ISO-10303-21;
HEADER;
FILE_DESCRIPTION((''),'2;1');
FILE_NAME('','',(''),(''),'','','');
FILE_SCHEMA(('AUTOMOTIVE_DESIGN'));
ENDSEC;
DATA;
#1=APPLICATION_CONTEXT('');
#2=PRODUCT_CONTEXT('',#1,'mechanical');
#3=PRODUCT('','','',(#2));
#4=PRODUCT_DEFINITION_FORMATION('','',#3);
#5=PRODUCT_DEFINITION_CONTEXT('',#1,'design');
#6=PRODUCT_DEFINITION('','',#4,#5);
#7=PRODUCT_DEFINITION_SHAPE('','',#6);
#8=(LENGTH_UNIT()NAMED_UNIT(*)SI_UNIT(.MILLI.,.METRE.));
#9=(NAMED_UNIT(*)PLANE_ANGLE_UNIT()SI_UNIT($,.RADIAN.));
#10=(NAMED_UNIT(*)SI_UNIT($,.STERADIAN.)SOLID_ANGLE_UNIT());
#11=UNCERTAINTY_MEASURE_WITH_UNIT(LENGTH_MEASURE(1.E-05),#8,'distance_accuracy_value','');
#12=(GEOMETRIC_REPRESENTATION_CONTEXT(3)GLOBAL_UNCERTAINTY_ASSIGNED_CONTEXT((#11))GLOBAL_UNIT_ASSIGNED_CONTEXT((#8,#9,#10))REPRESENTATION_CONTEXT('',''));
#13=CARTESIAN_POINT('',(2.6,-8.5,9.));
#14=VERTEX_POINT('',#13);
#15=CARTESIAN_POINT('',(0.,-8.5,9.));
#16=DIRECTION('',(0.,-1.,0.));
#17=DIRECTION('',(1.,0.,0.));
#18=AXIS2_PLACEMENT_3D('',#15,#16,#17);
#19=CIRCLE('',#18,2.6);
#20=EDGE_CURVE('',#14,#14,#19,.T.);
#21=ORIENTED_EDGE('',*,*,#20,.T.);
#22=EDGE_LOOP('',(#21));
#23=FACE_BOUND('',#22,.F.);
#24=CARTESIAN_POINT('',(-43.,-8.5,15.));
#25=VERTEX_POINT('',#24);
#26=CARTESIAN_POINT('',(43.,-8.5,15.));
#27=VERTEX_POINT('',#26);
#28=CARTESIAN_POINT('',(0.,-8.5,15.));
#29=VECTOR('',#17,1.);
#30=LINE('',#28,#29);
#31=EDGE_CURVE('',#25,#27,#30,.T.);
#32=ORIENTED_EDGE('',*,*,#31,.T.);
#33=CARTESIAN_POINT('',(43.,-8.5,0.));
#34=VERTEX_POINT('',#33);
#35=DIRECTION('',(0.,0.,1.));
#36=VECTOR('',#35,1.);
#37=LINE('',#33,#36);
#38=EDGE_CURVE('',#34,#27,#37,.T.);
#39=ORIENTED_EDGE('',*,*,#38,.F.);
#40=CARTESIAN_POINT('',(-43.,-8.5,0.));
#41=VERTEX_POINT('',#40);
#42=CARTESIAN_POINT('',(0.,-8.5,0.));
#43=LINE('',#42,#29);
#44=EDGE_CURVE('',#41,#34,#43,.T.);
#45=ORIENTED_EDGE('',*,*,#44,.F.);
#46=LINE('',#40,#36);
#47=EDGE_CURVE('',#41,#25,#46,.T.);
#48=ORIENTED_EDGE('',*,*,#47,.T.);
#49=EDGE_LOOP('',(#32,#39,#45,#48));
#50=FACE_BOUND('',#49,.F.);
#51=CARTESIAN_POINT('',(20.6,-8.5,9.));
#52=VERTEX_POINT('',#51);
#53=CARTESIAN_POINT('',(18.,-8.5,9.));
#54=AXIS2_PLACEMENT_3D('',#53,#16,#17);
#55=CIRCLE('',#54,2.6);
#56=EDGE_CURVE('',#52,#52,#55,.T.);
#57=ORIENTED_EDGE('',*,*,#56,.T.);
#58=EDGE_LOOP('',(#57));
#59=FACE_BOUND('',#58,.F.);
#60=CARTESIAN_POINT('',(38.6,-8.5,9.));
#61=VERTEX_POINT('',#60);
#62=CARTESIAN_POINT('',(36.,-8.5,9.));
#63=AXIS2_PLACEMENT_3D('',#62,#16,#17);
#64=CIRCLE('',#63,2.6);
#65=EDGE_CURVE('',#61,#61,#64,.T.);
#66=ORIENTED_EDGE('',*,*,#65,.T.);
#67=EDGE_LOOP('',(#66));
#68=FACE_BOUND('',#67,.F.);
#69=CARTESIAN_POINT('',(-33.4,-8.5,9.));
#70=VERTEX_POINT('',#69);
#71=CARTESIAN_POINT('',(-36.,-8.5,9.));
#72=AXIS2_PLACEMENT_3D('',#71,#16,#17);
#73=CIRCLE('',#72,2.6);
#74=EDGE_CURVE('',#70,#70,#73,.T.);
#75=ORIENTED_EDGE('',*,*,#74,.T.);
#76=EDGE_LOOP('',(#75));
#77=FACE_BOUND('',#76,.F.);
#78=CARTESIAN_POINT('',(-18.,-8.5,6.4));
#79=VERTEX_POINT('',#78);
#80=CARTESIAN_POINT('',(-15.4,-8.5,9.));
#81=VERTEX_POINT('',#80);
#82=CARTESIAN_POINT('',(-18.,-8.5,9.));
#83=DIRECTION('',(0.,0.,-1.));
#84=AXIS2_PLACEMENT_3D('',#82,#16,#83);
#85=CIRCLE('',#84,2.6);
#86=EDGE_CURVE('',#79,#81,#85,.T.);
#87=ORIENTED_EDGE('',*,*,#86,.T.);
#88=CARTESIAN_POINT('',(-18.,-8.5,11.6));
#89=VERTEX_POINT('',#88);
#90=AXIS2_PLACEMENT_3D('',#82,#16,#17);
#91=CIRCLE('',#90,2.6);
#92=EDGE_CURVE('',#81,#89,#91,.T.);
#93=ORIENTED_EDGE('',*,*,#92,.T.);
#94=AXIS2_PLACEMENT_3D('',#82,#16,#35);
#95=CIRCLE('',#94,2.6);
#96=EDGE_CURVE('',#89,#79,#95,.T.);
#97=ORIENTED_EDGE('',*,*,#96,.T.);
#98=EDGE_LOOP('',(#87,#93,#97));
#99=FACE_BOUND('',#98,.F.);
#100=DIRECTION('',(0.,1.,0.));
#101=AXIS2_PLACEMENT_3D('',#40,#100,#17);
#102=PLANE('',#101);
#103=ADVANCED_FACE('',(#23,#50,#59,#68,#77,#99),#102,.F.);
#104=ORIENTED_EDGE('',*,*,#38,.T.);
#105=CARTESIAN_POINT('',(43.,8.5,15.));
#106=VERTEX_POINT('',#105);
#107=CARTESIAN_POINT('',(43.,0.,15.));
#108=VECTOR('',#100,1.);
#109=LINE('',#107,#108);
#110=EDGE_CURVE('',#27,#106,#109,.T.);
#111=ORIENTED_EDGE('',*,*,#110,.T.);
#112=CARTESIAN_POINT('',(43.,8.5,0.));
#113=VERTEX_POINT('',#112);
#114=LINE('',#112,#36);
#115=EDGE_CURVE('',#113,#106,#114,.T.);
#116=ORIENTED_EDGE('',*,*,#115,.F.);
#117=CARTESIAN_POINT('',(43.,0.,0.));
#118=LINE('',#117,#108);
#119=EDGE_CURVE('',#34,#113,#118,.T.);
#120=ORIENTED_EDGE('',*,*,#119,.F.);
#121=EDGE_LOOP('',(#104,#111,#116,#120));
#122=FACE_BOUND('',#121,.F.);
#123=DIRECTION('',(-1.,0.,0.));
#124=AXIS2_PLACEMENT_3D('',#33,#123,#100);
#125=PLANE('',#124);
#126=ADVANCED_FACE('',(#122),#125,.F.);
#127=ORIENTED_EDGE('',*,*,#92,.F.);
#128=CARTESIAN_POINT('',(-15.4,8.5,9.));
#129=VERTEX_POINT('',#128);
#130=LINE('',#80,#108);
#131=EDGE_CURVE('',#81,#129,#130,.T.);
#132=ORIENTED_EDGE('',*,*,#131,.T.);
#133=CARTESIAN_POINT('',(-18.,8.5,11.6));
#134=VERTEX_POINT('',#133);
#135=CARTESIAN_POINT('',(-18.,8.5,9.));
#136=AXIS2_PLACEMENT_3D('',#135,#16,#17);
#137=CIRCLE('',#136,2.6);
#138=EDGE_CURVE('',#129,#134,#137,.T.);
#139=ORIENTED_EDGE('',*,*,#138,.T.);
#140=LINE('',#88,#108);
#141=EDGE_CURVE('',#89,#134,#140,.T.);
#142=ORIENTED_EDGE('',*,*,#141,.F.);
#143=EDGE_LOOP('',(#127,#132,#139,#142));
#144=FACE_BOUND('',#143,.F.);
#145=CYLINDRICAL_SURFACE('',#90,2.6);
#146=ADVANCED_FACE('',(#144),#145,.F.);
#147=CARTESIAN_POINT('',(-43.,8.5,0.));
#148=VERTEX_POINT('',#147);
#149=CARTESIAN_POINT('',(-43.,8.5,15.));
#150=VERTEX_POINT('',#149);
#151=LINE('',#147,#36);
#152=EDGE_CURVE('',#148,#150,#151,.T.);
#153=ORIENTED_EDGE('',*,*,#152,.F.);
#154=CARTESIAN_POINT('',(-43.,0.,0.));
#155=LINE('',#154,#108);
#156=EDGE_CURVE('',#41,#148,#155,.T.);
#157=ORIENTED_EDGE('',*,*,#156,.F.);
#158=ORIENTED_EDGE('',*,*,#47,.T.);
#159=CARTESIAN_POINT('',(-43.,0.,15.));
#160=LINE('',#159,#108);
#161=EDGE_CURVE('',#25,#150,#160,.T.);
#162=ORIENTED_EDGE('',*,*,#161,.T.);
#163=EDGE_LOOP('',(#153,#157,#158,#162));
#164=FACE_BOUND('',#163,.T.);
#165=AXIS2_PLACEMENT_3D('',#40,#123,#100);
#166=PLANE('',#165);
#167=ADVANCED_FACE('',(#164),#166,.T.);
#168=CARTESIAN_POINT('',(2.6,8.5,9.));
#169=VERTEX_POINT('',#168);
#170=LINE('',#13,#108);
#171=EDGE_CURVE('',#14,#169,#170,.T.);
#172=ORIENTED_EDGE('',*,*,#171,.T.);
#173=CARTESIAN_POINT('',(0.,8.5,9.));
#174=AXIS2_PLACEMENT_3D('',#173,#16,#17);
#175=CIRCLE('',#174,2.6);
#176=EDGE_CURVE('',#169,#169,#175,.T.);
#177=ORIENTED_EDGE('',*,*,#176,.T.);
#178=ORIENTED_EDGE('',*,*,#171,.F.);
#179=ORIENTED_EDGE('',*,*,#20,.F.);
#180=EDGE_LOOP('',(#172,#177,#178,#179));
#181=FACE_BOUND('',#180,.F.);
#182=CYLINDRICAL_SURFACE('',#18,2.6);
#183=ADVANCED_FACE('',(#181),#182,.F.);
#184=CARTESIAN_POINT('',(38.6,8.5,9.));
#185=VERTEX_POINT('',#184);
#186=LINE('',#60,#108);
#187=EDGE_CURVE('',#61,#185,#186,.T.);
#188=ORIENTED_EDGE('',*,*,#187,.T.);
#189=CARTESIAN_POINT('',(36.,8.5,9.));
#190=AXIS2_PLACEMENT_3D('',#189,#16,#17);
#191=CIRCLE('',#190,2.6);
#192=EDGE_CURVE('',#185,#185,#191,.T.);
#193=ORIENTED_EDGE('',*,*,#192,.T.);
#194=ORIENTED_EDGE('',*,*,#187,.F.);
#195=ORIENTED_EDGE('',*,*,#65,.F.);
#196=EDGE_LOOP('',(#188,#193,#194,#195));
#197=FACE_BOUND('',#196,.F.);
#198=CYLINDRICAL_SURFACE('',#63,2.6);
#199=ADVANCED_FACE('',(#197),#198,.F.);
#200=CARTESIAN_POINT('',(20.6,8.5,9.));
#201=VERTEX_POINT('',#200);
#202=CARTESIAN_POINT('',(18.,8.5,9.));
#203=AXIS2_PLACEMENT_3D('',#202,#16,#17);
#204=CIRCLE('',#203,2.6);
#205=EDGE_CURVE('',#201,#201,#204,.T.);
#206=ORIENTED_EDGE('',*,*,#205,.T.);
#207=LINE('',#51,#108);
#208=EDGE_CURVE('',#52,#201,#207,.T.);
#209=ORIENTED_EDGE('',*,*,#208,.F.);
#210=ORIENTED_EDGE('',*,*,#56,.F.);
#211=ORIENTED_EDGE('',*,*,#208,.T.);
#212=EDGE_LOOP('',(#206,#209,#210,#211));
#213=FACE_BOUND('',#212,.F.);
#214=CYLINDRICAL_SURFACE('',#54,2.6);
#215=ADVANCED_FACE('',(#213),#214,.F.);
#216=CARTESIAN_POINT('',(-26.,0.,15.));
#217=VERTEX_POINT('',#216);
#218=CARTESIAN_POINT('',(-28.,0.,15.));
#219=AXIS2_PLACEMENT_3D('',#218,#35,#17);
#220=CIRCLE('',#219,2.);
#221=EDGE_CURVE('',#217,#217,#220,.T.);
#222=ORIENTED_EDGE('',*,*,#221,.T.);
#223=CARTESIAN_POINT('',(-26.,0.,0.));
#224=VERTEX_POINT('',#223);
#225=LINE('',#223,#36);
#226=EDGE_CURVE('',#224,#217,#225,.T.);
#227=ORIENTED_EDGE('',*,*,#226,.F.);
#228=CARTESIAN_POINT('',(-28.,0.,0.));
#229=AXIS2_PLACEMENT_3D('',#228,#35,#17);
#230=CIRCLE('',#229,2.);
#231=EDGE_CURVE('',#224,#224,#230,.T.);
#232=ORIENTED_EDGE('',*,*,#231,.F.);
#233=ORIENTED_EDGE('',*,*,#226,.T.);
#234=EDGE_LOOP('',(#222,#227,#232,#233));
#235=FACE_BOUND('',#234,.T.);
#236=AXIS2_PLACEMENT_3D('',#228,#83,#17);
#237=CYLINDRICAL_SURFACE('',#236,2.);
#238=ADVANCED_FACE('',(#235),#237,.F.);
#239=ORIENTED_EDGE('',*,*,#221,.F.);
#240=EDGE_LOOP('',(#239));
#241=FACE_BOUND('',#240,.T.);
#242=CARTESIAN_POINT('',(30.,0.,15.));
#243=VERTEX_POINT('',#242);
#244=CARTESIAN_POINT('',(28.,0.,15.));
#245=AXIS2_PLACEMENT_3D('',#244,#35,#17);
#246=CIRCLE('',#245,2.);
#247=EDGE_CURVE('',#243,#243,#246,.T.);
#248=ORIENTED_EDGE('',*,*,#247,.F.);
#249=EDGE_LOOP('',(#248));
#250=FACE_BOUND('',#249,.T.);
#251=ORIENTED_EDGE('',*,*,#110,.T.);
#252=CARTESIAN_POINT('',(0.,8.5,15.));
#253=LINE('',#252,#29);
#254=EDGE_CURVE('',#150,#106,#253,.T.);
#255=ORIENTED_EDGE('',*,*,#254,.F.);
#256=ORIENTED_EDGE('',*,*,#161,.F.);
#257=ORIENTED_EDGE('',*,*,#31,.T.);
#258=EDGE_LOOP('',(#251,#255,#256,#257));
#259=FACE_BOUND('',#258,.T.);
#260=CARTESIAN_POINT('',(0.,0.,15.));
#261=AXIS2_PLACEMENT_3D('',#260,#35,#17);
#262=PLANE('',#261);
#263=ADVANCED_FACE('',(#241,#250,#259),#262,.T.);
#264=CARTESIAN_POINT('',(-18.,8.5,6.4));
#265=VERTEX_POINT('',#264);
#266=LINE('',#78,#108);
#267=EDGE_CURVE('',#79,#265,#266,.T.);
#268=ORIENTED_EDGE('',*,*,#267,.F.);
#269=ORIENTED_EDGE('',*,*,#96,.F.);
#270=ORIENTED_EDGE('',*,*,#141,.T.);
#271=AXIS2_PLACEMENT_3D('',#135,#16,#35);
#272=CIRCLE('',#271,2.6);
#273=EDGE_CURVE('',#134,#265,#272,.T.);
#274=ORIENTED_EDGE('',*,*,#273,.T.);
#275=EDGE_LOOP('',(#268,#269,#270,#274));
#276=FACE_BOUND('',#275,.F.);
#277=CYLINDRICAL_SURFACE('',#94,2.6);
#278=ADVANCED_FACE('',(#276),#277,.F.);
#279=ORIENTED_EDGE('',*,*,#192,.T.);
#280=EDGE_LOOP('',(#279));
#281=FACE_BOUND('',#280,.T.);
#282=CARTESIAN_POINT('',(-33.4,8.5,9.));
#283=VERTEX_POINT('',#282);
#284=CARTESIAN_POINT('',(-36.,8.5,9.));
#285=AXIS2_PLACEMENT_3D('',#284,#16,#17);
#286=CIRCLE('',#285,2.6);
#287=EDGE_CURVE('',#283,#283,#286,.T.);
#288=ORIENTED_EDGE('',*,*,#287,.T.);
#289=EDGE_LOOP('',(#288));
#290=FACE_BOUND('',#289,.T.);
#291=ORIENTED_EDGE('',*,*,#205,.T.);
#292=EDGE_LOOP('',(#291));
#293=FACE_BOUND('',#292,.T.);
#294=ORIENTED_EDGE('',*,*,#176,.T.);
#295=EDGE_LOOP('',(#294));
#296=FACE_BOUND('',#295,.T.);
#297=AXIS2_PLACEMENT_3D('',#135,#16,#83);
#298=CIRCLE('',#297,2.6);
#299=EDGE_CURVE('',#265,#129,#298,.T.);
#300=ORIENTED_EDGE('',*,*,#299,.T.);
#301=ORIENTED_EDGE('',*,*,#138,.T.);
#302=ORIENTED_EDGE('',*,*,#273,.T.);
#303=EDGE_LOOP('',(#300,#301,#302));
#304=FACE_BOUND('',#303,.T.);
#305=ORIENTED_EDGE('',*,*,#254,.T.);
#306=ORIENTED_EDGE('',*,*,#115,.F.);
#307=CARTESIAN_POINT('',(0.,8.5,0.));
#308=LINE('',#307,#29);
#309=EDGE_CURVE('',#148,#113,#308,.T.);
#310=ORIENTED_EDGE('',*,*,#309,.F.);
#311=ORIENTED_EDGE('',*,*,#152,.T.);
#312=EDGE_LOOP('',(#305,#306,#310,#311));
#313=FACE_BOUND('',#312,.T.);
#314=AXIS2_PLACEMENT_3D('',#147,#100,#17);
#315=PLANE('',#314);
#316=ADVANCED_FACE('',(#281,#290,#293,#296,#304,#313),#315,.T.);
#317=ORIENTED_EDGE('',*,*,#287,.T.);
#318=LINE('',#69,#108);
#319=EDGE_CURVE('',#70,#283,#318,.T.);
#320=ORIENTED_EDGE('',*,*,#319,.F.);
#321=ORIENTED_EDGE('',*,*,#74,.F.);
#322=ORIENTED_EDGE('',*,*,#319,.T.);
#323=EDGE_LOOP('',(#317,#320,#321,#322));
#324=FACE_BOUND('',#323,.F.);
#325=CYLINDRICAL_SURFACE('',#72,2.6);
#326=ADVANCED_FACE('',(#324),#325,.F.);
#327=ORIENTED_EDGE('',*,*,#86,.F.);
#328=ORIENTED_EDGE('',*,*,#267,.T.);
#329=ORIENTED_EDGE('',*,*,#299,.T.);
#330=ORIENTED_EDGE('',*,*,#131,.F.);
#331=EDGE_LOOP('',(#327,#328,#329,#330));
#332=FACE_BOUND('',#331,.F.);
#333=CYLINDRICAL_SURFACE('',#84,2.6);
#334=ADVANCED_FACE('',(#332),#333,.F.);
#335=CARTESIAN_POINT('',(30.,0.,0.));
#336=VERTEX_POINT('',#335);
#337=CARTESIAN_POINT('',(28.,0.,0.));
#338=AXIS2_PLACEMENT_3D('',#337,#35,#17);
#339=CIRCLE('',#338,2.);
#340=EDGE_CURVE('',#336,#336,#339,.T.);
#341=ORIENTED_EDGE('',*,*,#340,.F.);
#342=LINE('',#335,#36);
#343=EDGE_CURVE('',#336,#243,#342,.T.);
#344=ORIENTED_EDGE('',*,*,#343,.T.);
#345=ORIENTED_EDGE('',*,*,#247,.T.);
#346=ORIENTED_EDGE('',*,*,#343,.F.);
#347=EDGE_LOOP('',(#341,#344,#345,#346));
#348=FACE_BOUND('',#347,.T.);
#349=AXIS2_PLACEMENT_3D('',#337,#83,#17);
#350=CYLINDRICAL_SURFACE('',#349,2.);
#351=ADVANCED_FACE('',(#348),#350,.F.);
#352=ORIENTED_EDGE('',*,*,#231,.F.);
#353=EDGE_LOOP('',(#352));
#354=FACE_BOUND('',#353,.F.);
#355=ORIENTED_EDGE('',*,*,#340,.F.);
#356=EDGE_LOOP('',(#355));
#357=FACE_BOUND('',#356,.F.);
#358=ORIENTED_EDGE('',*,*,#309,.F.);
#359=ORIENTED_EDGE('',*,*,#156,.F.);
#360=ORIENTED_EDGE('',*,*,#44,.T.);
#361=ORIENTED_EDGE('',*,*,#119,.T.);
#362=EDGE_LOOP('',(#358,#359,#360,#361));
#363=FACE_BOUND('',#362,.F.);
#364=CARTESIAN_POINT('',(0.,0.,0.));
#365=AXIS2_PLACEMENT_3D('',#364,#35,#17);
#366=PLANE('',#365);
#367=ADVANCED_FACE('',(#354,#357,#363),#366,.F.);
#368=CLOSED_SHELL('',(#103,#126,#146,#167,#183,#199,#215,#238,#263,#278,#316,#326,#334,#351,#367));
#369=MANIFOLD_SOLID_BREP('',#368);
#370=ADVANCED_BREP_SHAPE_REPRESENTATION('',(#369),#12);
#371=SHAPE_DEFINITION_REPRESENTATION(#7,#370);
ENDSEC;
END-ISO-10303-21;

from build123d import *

# Parameters (mm, degrees)
F0_W     = 86
F0_H     = 17
F0_R     = 2
F1_DEPTH = 15
F2_R     = 2.6
F3_DEPTH = 17.001


with BuildPart() as f1:
    # F0 (on Top) → F1 (new body)
    with BuildSketch(Plane.XY):
        Rectangle(F0_W, F0_H)
        with Locations((-28, 0)):
            Circle(F0_R, mode=Mode.SUBTRACT)
        with Locations((28, 0)):
            Circle(F0_R, mode=Mode.SUBTRACT)
    extrude(amount=F1_DEPTH)

    # F2 (on face) → F3 (cut, through all)
    with BuildSketch(Plane.XZ.offset(8.5)):
        with Locations((-36, 9)):
            Circle(F2_R)
        with BuildLine():
            ThreePointArc((-18, 11.6), (-20.6, 9), (-18, 6.4))
            Line((-18, 6.4), (-18, 11.6))
        make_face()
        with BuildLine():
            Line((-18, 11.6), (-18, 6.4))
            ThreePointArc((-18, 6.4), (-16.1615223689, 7.1615223689), (-15.4, 9))
            ThreePointArc((-15.4, 9), (-16.1615223689, 10.8384776311), (-18, 11.6))
        make_face()
        with Locations((0, 9)):
            Circle(F2_R)
        with Locations((18, 9)):
            Circle(F2_R)
        with Locations((36, 9)):
            Circle(F2_R)
    extrude(amount=-F3_DEPTH, mode=Mode.SUBTRACT)


solid = f1.part
